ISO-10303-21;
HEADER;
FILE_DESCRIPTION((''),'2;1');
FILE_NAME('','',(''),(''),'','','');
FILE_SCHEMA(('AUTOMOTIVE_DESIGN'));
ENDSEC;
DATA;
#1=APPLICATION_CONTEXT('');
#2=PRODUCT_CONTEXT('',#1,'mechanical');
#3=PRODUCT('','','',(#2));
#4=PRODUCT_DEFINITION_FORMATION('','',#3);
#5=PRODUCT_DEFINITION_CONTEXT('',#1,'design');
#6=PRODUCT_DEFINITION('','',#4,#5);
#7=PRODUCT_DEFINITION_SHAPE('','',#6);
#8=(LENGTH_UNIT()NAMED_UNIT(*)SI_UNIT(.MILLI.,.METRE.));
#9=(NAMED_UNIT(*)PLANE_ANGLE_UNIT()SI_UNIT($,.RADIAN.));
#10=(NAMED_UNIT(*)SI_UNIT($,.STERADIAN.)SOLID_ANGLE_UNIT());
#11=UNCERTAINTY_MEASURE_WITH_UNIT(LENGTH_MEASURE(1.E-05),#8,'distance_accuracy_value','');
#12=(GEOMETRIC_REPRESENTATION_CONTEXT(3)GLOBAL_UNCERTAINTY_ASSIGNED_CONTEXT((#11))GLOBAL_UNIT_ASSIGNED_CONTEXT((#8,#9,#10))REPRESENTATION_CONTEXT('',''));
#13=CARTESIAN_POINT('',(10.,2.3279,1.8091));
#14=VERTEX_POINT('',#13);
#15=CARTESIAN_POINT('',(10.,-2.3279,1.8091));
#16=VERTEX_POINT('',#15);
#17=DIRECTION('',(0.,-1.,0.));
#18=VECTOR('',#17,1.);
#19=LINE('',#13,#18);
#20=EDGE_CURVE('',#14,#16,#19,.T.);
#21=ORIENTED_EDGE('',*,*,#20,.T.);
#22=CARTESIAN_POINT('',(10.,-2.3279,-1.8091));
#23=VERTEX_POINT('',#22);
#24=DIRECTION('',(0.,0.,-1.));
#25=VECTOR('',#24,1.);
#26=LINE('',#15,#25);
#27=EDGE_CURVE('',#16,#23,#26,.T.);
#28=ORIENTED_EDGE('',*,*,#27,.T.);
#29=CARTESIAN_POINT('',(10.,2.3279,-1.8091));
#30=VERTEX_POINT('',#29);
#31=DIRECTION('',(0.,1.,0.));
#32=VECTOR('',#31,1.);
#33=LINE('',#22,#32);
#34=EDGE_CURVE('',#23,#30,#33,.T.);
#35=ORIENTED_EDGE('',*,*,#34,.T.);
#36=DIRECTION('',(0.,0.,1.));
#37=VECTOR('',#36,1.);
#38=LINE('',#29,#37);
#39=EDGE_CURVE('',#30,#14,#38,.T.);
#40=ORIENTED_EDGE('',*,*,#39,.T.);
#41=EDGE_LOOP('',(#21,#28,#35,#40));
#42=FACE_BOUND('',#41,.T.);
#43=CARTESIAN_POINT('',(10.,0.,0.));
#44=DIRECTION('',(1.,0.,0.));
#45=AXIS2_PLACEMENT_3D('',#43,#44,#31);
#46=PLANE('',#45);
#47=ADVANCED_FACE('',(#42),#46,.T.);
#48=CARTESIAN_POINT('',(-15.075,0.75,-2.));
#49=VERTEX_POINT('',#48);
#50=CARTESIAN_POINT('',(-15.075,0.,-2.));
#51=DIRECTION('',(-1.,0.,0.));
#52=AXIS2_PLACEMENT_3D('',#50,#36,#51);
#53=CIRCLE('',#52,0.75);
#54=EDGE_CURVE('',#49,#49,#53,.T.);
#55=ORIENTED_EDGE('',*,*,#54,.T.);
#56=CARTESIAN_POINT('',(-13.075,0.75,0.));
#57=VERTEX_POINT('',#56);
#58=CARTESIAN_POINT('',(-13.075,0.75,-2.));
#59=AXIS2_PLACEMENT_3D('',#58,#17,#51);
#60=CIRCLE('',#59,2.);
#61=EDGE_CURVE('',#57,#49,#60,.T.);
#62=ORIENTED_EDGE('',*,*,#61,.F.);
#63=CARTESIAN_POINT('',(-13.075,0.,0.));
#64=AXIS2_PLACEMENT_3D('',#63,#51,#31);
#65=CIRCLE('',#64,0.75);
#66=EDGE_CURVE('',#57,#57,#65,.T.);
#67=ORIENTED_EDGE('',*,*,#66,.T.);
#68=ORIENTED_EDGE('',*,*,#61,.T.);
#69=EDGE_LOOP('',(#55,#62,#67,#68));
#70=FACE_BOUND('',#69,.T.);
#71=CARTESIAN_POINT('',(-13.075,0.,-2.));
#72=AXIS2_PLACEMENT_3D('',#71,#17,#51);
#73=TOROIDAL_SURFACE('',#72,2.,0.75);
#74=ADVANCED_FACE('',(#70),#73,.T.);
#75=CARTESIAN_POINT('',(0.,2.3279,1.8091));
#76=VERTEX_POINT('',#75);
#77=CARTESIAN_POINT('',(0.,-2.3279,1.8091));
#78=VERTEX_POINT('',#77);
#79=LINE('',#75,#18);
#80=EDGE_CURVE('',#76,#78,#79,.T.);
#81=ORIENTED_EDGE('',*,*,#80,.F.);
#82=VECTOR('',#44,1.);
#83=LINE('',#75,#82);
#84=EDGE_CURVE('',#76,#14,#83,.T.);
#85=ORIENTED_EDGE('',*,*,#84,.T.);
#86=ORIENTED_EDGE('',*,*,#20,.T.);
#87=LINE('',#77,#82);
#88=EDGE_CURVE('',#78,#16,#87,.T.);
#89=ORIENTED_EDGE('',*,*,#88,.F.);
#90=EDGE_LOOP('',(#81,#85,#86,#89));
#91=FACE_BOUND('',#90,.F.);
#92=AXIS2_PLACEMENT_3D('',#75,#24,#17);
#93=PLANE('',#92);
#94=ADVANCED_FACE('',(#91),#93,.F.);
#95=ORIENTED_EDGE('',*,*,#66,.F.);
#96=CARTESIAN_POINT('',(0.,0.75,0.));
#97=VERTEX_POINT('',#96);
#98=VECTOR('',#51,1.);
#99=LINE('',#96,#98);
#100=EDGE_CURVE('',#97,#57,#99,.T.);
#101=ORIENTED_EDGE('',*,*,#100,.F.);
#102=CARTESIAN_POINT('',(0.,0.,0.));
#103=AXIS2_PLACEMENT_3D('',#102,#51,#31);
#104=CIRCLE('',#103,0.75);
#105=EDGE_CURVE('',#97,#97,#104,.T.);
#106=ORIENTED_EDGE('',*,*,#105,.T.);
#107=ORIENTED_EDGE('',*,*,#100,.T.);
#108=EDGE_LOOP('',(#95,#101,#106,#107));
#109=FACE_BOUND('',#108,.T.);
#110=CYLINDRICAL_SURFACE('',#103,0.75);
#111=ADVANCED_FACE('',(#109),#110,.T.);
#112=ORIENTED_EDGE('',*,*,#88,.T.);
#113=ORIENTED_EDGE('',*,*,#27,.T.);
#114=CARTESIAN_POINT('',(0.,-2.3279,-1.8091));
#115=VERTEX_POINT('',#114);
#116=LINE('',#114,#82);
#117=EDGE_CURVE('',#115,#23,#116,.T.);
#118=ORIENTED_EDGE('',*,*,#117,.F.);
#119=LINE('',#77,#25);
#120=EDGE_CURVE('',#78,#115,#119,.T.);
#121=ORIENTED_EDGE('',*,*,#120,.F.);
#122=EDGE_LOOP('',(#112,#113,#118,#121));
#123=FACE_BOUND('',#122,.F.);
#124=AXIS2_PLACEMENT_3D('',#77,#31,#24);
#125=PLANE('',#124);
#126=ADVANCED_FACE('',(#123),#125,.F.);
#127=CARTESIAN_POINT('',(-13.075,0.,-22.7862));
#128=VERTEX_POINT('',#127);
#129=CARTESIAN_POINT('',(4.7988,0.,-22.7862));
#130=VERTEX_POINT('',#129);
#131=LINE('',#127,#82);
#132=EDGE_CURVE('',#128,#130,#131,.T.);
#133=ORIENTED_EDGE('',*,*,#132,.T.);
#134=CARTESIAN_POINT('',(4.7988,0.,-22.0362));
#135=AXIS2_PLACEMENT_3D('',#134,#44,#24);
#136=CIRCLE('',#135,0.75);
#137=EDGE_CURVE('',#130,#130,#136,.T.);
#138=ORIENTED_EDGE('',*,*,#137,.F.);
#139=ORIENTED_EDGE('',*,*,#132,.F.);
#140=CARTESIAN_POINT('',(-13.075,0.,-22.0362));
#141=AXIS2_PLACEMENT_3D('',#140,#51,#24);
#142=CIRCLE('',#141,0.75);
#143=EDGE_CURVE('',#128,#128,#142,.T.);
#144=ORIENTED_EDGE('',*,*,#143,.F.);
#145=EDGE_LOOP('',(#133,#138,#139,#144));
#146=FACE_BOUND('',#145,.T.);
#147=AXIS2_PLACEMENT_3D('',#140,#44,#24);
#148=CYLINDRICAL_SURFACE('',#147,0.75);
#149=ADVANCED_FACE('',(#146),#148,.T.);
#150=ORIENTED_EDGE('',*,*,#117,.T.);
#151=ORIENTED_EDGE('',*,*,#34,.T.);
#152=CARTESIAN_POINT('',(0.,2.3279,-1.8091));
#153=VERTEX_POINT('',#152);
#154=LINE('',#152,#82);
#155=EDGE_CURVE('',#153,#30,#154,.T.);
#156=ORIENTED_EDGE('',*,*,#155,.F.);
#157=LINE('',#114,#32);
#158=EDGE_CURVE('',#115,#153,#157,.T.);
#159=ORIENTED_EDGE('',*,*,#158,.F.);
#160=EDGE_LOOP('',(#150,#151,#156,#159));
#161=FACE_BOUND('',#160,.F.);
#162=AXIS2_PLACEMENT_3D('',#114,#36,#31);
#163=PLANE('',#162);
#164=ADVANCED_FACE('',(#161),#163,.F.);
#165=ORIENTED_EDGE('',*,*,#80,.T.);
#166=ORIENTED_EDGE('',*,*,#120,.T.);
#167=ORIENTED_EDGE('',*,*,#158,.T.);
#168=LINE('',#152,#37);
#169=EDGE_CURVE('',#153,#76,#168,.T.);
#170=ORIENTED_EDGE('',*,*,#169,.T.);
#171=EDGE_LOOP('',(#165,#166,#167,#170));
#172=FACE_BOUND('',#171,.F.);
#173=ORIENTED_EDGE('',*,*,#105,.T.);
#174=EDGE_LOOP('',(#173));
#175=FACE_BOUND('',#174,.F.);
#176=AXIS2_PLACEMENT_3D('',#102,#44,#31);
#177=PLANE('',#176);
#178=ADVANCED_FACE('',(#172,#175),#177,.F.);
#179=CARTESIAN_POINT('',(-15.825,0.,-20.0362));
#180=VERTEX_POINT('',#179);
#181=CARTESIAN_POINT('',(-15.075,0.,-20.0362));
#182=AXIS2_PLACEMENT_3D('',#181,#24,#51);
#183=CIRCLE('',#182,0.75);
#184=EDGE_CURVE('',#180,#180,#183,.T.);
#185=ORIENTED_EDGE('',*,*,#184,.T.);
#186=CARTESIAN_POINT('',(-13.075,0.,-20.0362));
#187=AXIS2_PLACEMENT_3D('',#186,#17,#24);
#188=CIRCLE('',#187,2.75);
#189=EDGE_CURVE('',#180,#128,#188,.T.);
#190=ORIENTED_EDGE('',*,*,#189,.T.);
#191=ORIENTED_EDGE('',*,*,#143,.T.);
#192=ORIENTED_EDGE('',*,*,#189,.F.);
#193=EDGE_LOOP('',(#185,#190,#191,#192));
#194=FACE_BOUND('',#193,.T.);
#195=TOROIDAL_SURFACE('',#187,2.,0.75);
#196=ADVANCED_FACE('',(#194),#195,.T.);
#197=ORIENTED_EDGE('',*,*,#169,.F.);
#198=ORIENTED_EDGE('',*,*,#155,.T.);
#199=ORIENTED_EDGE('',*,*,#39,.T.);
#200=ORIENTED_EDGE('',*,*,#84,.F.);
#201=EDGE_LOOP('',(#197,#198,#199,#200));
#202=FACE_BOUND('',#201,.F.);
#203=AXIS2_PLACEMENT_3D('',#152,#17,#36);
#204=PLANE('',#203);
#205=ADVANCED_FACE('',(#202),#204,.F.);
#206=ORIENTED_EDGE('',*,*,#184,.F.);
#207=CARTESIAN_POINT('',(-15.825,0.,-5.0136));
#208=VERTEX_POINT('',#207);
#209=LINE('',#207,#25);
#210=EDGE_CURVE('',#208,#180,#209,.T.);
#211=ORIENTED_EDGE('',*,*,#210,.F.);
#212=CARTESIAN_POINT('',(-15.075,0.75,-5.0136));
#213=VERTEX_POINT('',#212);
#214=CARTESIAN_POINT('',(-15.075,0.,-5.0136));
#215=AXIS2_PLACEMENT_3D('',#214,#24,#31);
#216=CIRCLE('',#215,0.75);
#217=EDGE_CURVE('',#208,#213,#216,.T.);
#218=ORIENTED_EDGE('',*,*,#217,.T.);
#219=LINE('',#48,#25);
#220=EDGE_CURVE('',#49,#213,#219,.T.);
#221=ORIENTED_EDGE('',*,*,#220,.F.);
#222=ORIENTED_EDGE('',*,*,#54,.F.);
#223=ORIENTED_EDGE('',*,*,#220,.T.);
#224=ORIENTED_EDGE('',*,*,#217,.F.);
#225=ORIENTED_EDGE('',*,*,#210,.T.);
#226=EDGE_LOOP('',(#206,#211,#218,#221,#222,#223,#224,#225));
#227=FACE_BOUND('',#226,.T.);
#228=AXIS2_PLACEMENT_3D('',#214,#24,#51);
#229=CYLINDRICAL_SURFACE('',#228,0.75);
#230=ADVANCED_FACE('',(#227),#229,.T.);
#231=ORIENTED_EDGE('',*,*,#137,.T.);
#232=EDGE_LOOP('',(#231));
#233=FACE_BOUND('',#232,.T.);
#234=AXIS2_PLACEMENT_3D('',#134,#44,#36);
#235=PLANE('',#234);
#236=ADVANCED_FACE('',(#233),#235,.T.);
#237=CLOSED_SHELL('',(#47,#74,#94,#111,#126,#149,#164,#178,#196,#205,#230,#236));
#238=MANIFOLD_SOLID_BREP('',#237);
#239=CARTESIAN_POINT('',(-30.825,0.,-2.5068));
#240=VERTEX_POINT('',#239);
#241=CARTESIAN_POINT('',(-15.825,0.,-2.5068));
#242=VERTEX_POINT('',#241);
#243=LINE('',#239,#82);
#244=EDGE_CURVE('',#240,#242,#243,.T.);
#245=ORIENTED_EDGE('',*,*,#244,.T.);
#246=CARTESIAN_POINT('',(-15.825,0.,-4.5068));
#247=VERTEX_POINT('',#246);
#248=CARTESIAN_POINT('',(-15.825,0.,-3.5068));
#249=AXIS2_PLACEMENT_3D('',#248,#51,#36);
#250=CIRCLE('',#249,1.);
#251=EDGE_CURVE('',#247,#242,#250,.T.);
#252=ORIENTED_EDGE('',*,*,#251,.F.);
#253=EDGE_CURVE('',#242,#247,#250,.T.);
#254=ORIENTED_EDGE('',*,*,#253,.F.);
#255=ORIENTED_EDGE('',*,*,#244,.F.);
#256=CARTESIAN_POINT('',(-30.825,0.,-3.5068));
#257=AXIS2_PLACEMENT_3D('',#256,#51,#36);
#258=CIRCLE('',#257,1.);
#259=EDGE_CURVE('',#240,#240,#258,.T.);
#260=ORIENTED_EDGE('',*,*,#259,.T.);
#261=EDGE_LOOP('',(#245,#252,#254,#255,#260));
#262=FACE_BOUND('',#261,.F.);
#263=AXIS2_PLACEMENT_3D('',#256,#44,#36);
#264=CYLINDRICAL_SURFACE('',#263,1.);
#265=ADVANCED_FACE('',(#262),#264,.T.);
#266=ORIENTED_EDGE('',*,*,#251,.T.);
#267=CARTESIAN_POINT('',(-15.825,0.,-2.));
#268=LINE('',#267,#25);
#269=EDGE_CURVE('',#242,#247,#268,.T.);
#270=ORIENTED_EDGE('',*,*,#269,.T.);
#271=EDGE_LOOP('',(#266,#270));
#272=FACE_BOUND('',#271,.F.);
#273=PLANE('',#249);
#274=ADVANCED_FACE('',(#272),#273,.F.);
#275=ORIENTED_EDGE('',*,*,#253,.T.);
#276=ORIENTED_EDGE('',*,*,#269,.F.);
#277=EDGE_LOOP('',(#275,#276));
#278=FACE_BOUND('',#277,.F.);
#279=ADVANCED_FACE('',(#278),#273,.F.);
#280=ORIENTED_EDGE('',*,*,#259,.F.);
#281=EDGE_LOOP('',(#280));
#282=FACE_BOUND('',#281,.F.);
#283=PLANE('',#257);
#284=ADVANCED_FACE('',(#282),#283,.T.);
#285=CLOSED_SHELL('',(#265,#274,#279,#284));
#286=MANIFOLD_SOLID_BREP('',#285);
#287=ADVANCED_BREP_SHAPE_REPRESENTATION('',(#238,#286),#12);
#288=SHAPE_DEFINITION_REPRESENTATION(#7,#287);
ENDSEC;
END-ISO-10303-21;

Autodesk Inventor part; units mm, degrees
ref_plane "YZ Plane" through (0, 0, 0) normal (1, 0, 0) x (0, 1, 0)
ref_plane "XZ Plane" through (0, 0, 0) normal (0, 1, 0) x (-1, 0, 0)
ref_plane "XY Plane" through (0, 0, 0) normal (0, 0, 1) x (1, 0, 0)
sketch "草圖1" plane through (0, 0, 0) normal (1, 0, 0) x (0, 1, 0)
  circle A0 centre (0, 0) radius 0.75
  dimension "d0" = 1.5
sketch "草圖2" plane through (0, 0, 0) normal (0, 1, 0) x (-1, 0, 0)
  line L0 (0, 0) -> (13.075, 0)
  line L1 (15.075, -2) -> (15.075, -5.0136)
  arc A0 (15.075, -2) -> (13.075, 0) centre (13.075, -2) ccw
  point P0 (15.075, 0)
  dimension "d3" = 2
sweep "掃掠1" add profiles "草圖1" path "草圖2"
sketch "草圖3" plane through (0, 0, 0) normal (1, 0, 0) x (0, 1, 0)
  line L0 (-2.3279, -1.8091) -> (2.3279, -1.8091)
  line L1 (2.3279, -1.8091) -> (2.3279, 1.8091)
  line L2 (2.3279, 1.8091) -> (-2.3279, 1.8091)
  line L3 (-2.3279, 1.8091) -> (-2.3279, -1.8091)
  line L4 (-2.3279, -1.8091) -> (2.3279, 1.8091) construction
  line L5 (2.3279, -1.8091) -> (-2.3279, 1.8091) construction
  point P0 (0, 0)
sketch "草圖4" plane through (0, 0, 0) normal (0, 1, 0) x (-1, 0, 0)
  line L0 (15.825, -3.5068) -> (30.825, -3.5068)
  line L1 (30.825, -3.5068) -> (30.825, -2.5068)
  line L2 (30.825, -2.5068) -> (15.825, -2.5068)
  line L3 (15.825, -2.5068) -> (15.825, -3.5068)
  line L4 (15.825, -2) -> (15.825, -5.0136) projected
  point P0 (0, 0)
  point P1 (15.825, -3.0068)
  dimension "d4" = 1
  dimension "d5" = 15
revolve "迴轉1" add sketch "草圖4" angle 360 about axis through (-15.825, 0, -3.5068) along (-1, 0, 0)
extrude "擠出1" add sketch "草圖3" along normal blind 10
sketch "草圖5" plane through (0, 0, 0) normal (0, 1, 0) x (-1, 0, 0)
  line L0 (14.325, -5.0136) -> (15.825, -5.0136) projected
  line L1 (15.075, -5.0136) -> (15.075, -20.0362)
  line L2 (13.075, -22.0362) -> (-4.7988, -22.0362)
  arc A0 (13.075, -22.0362) -> (15.075, -20.0362) centre (13.075, -20.0362) ccw
  point P0 (0, 0)
  dimension "d9" = 2
sketch "草圖6" plane through (-15.075, 0, -5.0136) normal (0, 0, -1) x (-1, 0, 0)
  point P0 (-15.075, 0)
sketch "草圖7" plane through (-15.075, 0, -5.0136) normal (0, 0, -1) x (-1, 0, 0)
  circle A0 centre (0, 0) radius 0.75 projected
  point P0 (-15.075, 0)
sweep "掃掠2" add profiles "草圖7" path "草圖5" path curves L1 A0 L2
properties part number "槓桿"
